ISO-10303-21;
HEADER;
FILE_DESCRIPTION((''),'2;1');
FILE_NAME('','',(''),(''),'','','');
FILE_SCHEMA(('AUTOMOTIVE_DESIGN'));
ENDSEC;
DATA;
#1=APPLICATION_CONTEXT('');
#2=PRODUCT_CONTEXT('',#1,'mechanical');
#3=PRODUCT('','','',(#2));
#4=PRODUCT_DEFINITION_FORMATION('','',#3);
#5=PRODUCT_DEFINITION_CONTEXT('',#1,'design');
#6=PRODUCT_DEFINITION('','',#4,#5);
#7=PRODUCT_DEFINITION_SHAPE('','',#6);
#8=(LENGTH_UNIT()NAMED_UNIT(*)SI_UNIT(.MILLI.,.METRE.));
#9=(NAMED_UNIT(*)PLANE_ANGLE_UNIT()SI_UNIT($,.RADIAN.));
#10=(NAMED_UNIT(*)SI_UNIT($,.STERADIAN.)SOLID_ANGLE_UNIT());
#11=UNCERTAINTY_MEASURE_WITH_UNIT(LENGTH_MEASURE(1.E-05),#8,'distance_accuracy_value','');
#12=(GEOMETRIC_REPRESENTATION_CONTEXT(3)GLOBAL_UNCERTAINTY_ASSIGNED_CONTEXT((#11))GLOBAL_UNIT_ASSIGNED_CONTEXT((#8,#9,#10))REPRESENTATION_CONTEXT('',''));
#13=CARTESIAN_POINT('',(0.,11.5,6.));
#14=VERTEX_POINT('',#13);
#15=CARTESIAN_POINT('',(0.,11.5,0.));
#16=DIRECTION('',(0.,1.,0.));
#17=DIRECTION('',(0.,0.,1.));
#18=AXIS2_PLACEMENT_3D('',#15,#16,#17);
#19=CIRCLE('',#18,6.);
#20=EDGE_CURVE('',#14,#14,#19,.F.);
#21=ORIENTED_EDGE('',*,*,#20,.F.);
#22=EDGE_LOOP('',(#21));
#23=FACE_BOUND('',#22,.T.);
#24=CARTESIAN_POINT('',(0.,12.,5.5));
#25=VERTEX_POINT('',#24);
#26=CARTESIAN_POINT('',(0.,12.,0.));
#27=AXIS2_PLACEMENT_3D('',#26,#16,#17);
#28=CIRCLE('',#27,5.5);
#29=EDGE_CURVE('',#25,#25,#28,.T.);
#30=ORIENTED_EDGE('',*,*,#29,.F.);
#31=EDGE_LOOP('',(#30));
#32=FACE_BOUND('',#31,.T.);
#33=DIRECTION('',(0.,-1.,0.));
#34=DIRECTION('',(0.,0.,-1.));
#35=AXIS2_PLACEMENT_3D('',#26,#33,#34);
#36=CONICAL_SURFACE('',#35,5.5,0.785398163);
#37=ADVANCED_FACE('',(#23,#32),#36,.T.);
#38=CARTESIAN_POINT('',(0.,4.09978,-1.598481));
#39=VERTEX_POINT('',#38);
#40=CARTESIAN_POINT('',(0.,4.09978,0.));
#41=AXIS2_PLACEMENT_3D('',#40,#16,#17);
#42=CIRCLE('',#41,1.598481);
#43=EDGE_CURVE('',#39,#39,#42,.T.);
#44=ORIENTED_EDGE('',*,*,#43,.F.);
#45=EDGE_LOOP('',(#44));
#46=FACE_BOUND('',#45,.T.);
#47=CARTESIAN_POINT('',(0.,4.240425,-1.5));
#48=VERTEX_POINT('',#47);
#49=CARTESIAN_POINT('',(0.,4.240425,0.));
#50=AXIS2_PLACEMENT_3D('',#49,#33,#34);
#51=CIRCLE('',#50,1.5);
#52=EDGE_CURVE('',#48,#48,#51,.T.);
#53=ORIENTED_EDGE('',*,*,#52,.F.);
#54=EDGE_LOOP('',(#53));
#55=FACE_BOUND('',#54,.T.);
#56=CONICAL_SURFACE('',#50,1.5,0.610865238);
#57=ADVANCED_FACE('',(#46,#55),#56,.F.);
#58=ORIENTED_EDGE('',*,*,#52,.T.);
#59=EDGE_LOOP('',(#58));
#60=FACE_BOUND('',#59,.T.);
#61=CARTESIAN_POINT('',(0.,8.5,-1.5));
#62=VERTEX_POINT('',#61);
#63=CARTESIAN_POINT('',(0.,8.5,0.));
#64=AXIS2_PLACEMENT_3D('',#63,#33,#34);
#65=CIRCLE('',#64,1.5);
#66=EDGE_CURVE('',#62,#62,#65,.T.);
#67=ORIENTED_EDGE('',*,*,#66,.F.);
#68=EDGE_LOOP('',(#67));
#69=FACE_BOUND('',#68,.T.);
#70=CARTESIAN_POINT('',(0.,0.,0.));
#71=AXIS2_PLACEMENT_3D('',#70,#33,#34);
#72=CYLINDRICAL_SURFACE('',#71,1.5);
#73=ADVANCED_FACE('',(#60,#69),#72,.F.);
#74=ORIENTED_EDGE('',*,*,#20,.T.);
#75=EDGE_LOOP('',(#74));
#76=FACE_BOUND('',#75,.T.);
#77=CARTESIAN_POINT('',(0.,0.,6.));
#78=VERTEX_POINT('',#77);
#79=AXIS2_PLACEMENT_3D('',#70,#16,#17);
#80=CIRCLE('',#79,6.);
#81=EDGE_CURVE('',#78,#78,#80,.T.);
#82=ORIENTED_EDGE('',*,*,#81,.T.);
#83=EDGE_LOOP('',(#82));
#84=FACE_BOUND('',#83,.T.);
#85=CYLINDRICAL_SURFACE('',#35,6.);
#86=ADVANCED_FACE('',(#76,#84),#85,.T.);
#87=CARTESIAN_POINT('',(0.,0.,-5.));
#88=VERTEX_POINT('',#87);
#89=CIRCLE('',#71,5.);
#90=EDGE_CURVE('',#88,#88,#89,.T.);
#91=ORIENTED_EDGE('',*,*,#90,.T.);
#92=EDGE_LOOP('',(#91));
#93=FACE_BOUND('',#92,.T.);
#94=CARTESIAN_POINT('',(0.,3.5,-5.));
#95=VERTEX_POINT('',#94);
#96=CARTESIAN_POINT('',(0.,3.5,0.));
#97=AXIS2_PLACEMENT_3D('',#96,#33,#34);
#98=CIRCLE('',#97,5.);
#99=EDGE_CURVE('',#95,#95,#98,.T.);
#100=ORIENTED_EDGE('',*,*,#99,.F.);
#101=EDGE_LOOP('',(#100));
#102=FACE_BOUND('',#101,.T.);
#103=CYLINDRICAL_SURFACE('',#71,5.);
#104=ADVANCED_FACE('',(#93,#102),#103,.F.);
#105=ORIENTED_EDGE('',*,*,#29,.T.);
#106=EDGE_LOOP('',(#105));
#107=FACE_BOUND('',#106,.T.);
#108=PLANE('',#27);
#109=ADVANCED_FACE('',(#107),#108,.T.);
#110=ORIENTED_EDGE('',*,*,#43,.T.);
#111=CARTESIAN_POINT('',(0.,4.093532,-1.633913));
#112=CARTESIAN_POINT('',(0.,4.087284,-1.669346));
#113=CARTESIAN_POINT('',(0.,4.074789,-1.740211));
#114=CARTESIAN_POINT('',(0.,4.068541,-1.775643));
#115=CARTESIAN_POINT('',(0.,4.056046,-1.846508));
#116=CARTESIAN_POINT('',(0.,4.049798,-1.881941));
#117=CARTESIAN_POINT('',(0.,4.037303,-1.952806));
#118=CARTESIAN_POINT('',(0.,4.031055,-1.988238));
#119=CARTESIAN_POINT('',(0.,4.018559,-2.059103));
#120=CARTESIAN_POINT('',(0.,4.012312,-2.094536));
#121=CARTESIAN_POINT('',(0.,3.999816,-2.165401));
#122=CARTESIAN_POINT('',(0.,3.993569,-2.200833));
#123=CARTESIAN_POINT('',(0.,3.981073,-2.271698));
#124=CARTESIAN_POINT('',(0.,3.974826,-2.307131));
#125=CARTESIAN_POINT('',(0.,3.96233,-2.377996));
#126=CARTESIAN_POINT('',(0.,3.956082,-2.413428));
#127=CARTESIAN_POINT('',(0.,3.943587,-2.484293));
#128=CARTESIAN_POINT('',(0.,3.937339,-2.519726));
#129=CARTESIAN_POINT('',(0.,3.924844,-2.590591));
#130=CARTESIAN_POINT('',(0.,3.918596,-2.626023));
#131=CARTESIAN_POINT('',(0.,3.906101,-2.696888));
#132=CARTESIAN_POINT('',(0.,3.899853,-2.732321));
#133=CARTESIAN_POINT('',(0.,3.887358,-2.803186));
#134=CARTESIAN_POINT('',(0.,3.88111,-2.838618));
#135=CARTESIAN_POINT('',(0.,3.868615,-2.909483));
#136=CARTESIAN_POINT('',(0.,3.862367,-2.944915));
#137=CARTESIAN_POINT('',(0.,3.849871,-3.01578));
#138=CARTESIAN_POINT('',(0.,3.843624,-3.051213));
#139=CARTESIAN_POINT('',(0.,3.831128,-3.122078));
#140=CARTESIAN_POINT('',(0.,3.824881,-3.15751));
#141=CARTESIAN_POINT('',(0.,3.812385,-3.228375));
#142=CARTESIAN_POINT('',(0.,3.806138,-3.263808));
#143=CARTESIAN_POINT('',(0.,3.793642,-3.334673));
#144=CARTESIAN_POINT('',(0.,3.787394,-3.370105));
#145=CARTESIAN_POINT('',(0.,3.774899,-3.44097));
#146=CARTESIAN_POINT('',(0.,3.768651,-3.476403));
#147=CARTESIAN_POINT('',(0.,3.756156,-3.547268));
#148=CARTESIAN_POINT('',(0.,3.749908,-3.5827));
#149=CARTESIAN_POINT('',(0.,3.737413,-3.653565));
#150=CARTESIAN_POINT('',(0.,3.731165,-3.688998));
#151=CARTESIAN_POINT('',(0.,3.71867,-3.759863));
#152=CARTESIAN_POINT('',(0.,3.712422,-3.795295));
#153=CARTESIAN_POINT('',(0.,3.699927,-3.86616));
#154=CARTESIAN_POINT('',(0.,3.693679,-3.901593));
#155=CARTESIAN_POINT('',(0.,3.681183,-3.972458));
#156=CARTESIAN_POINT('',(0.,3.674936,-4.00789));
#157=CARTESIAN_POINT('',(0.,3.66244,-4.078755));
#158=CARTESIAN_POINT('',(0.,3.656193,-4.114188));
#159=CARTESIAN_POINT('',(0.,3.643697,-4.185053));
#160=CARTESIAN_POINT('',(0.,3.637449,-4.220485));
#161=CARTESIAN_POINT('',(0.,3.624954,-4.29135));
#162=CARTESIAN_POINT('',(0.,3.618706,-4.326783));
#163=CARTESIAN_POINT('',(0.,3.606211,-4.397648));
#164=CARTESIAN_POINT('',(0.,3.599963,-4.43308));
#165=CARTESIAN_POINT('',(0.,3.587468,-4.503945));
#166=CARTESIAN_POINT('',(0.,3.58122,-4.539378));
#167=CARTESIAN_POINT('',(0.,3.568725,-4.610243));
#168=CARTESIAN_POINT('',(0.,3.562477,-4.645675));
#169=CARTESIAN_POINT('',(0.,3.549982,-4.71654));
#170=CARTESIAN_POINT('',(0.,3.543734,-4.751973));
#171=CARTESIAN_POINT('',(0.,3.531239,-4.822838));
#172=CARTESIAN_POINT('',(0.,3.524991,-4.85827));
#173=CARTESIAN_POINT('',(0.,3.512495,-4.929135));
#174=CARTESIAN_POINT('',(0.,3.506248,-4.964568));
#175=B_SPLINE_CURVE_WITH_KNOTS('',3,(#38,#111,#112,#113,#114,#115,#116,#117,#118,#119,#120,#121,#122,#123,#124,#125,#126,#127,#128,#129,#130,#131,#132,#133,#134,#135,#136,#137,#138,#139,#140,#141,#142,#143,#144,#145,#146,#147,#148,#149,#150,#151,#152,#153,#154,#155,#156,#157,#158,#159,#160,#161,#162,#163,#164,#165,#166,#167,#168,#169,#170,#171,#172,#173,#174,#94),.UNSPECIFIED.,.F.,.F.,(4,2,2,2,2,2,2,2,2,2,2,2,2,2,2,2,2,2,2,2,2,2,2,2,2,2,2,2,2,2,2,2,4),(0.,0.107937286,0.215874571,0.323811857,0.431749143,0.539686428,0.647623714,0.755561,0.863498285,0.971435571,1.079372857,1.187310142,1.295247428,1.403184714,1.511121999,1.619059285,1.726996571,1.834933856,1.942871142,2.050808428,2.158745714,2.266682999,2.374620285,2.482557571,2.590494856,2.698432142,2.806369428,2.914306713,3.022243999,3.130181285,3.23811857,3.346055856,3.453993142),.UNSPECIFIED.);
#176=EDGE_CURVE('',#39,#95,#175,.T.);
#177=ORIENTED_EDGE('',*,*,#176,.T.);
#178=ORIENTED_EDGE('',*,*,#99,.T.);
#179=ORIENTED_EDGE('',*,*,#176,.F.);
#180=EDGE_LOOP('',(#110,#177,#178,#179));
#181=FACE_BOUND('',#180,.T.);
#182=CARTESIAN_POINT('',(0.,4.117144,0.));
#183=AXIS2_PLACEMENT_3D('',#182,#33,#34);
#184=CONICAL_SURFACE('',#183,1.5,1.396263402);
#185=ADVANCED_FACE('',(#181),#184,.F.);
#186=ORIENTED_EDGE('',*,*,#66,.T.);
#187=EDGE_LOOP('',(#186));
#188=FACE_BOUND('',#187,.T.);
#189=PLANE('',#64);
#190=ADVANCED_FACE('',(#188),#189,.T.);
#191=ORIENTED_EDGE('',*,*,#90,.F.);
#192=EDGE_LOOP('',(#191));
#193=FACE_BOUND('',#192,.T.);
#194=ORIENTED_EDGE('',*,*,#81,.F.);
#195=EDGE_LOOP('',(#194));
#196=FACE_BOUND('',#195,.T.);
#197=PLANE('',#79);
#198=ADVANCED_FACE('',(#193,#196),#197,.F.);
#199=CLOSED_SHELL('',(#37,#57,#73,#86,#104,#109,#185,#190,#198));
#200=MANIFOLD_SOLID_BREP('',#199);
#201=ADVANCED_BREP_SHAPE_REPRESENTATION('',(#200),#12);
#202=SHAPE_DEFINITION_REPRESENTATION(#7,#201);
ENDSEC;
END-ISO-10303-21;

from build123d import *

# Parameters (mm, degrees)
SKETCH1_R           = 6
BOSS_EXTRUDE1_DEPTH = 12
CHAMFER1_SIZE       = 0.1
CHAMFER1_SIZE2      = 0.123280305
CHAMFER2_SIZE       = 0.5


with BuildPart() as part:
    # Sketch1 → Boss-Extrude1 (new body)
    with BuildSketch(Plane(origin=(0, 0, 0), x_dir=(1, 0, 0), z_dir=(0, 1, 0))):
        with Locations(Location((0, 0, 0), (0, 0, 270))):
            Circle(SKETCH1_R)
    extrude(amount=BOSS_EXTRUDE1_DEPTH)

    # Sketch2 → Cut-Revolve1 (revolve, cut)
    with BuildSketch(Plane.XY, mode=Mode.PRIVATE) as cut_revolve1_sk:
        Polygon((5, 0), (0, 0), (0, 8.5), (1.5, 8.5), (1.5, 4.117144432), (5, 3.5), align=None)
    revolve(cut_revolve1_sk.sketch.rotate(Axis((0, 0, 0), (0, 1, 0)), 90), axis=Axis((0, 0, 0), (0, 1, 0)), mode=Mode.SUBTRACT)

    # Chamfer1
    chamfer1_edges = [part.edges().sort_by_distance(p)[0] for p in [
        (0, 4.117144432, 1.5),
    ]]
    chamfer1_side = [part.faces().sort_by_distance(p)[0] for p in [
        (0, 3.808572216, 3.25),
    ]]
    chamfer(chamfer1_edges, length=CHAMFER1_SIZE, length2=CHAMFER1_SIZE2, reference=chamfer1_side[0])

    # Chamfer2
    chamfer2_edges = [part.edges().sort_by_distance(p)[0] for p in [
        (0, 12, -6),
    ]]
    chamfer(chamfer2_edges, length=CHAMFER2_SIZE)


solid = part.part
